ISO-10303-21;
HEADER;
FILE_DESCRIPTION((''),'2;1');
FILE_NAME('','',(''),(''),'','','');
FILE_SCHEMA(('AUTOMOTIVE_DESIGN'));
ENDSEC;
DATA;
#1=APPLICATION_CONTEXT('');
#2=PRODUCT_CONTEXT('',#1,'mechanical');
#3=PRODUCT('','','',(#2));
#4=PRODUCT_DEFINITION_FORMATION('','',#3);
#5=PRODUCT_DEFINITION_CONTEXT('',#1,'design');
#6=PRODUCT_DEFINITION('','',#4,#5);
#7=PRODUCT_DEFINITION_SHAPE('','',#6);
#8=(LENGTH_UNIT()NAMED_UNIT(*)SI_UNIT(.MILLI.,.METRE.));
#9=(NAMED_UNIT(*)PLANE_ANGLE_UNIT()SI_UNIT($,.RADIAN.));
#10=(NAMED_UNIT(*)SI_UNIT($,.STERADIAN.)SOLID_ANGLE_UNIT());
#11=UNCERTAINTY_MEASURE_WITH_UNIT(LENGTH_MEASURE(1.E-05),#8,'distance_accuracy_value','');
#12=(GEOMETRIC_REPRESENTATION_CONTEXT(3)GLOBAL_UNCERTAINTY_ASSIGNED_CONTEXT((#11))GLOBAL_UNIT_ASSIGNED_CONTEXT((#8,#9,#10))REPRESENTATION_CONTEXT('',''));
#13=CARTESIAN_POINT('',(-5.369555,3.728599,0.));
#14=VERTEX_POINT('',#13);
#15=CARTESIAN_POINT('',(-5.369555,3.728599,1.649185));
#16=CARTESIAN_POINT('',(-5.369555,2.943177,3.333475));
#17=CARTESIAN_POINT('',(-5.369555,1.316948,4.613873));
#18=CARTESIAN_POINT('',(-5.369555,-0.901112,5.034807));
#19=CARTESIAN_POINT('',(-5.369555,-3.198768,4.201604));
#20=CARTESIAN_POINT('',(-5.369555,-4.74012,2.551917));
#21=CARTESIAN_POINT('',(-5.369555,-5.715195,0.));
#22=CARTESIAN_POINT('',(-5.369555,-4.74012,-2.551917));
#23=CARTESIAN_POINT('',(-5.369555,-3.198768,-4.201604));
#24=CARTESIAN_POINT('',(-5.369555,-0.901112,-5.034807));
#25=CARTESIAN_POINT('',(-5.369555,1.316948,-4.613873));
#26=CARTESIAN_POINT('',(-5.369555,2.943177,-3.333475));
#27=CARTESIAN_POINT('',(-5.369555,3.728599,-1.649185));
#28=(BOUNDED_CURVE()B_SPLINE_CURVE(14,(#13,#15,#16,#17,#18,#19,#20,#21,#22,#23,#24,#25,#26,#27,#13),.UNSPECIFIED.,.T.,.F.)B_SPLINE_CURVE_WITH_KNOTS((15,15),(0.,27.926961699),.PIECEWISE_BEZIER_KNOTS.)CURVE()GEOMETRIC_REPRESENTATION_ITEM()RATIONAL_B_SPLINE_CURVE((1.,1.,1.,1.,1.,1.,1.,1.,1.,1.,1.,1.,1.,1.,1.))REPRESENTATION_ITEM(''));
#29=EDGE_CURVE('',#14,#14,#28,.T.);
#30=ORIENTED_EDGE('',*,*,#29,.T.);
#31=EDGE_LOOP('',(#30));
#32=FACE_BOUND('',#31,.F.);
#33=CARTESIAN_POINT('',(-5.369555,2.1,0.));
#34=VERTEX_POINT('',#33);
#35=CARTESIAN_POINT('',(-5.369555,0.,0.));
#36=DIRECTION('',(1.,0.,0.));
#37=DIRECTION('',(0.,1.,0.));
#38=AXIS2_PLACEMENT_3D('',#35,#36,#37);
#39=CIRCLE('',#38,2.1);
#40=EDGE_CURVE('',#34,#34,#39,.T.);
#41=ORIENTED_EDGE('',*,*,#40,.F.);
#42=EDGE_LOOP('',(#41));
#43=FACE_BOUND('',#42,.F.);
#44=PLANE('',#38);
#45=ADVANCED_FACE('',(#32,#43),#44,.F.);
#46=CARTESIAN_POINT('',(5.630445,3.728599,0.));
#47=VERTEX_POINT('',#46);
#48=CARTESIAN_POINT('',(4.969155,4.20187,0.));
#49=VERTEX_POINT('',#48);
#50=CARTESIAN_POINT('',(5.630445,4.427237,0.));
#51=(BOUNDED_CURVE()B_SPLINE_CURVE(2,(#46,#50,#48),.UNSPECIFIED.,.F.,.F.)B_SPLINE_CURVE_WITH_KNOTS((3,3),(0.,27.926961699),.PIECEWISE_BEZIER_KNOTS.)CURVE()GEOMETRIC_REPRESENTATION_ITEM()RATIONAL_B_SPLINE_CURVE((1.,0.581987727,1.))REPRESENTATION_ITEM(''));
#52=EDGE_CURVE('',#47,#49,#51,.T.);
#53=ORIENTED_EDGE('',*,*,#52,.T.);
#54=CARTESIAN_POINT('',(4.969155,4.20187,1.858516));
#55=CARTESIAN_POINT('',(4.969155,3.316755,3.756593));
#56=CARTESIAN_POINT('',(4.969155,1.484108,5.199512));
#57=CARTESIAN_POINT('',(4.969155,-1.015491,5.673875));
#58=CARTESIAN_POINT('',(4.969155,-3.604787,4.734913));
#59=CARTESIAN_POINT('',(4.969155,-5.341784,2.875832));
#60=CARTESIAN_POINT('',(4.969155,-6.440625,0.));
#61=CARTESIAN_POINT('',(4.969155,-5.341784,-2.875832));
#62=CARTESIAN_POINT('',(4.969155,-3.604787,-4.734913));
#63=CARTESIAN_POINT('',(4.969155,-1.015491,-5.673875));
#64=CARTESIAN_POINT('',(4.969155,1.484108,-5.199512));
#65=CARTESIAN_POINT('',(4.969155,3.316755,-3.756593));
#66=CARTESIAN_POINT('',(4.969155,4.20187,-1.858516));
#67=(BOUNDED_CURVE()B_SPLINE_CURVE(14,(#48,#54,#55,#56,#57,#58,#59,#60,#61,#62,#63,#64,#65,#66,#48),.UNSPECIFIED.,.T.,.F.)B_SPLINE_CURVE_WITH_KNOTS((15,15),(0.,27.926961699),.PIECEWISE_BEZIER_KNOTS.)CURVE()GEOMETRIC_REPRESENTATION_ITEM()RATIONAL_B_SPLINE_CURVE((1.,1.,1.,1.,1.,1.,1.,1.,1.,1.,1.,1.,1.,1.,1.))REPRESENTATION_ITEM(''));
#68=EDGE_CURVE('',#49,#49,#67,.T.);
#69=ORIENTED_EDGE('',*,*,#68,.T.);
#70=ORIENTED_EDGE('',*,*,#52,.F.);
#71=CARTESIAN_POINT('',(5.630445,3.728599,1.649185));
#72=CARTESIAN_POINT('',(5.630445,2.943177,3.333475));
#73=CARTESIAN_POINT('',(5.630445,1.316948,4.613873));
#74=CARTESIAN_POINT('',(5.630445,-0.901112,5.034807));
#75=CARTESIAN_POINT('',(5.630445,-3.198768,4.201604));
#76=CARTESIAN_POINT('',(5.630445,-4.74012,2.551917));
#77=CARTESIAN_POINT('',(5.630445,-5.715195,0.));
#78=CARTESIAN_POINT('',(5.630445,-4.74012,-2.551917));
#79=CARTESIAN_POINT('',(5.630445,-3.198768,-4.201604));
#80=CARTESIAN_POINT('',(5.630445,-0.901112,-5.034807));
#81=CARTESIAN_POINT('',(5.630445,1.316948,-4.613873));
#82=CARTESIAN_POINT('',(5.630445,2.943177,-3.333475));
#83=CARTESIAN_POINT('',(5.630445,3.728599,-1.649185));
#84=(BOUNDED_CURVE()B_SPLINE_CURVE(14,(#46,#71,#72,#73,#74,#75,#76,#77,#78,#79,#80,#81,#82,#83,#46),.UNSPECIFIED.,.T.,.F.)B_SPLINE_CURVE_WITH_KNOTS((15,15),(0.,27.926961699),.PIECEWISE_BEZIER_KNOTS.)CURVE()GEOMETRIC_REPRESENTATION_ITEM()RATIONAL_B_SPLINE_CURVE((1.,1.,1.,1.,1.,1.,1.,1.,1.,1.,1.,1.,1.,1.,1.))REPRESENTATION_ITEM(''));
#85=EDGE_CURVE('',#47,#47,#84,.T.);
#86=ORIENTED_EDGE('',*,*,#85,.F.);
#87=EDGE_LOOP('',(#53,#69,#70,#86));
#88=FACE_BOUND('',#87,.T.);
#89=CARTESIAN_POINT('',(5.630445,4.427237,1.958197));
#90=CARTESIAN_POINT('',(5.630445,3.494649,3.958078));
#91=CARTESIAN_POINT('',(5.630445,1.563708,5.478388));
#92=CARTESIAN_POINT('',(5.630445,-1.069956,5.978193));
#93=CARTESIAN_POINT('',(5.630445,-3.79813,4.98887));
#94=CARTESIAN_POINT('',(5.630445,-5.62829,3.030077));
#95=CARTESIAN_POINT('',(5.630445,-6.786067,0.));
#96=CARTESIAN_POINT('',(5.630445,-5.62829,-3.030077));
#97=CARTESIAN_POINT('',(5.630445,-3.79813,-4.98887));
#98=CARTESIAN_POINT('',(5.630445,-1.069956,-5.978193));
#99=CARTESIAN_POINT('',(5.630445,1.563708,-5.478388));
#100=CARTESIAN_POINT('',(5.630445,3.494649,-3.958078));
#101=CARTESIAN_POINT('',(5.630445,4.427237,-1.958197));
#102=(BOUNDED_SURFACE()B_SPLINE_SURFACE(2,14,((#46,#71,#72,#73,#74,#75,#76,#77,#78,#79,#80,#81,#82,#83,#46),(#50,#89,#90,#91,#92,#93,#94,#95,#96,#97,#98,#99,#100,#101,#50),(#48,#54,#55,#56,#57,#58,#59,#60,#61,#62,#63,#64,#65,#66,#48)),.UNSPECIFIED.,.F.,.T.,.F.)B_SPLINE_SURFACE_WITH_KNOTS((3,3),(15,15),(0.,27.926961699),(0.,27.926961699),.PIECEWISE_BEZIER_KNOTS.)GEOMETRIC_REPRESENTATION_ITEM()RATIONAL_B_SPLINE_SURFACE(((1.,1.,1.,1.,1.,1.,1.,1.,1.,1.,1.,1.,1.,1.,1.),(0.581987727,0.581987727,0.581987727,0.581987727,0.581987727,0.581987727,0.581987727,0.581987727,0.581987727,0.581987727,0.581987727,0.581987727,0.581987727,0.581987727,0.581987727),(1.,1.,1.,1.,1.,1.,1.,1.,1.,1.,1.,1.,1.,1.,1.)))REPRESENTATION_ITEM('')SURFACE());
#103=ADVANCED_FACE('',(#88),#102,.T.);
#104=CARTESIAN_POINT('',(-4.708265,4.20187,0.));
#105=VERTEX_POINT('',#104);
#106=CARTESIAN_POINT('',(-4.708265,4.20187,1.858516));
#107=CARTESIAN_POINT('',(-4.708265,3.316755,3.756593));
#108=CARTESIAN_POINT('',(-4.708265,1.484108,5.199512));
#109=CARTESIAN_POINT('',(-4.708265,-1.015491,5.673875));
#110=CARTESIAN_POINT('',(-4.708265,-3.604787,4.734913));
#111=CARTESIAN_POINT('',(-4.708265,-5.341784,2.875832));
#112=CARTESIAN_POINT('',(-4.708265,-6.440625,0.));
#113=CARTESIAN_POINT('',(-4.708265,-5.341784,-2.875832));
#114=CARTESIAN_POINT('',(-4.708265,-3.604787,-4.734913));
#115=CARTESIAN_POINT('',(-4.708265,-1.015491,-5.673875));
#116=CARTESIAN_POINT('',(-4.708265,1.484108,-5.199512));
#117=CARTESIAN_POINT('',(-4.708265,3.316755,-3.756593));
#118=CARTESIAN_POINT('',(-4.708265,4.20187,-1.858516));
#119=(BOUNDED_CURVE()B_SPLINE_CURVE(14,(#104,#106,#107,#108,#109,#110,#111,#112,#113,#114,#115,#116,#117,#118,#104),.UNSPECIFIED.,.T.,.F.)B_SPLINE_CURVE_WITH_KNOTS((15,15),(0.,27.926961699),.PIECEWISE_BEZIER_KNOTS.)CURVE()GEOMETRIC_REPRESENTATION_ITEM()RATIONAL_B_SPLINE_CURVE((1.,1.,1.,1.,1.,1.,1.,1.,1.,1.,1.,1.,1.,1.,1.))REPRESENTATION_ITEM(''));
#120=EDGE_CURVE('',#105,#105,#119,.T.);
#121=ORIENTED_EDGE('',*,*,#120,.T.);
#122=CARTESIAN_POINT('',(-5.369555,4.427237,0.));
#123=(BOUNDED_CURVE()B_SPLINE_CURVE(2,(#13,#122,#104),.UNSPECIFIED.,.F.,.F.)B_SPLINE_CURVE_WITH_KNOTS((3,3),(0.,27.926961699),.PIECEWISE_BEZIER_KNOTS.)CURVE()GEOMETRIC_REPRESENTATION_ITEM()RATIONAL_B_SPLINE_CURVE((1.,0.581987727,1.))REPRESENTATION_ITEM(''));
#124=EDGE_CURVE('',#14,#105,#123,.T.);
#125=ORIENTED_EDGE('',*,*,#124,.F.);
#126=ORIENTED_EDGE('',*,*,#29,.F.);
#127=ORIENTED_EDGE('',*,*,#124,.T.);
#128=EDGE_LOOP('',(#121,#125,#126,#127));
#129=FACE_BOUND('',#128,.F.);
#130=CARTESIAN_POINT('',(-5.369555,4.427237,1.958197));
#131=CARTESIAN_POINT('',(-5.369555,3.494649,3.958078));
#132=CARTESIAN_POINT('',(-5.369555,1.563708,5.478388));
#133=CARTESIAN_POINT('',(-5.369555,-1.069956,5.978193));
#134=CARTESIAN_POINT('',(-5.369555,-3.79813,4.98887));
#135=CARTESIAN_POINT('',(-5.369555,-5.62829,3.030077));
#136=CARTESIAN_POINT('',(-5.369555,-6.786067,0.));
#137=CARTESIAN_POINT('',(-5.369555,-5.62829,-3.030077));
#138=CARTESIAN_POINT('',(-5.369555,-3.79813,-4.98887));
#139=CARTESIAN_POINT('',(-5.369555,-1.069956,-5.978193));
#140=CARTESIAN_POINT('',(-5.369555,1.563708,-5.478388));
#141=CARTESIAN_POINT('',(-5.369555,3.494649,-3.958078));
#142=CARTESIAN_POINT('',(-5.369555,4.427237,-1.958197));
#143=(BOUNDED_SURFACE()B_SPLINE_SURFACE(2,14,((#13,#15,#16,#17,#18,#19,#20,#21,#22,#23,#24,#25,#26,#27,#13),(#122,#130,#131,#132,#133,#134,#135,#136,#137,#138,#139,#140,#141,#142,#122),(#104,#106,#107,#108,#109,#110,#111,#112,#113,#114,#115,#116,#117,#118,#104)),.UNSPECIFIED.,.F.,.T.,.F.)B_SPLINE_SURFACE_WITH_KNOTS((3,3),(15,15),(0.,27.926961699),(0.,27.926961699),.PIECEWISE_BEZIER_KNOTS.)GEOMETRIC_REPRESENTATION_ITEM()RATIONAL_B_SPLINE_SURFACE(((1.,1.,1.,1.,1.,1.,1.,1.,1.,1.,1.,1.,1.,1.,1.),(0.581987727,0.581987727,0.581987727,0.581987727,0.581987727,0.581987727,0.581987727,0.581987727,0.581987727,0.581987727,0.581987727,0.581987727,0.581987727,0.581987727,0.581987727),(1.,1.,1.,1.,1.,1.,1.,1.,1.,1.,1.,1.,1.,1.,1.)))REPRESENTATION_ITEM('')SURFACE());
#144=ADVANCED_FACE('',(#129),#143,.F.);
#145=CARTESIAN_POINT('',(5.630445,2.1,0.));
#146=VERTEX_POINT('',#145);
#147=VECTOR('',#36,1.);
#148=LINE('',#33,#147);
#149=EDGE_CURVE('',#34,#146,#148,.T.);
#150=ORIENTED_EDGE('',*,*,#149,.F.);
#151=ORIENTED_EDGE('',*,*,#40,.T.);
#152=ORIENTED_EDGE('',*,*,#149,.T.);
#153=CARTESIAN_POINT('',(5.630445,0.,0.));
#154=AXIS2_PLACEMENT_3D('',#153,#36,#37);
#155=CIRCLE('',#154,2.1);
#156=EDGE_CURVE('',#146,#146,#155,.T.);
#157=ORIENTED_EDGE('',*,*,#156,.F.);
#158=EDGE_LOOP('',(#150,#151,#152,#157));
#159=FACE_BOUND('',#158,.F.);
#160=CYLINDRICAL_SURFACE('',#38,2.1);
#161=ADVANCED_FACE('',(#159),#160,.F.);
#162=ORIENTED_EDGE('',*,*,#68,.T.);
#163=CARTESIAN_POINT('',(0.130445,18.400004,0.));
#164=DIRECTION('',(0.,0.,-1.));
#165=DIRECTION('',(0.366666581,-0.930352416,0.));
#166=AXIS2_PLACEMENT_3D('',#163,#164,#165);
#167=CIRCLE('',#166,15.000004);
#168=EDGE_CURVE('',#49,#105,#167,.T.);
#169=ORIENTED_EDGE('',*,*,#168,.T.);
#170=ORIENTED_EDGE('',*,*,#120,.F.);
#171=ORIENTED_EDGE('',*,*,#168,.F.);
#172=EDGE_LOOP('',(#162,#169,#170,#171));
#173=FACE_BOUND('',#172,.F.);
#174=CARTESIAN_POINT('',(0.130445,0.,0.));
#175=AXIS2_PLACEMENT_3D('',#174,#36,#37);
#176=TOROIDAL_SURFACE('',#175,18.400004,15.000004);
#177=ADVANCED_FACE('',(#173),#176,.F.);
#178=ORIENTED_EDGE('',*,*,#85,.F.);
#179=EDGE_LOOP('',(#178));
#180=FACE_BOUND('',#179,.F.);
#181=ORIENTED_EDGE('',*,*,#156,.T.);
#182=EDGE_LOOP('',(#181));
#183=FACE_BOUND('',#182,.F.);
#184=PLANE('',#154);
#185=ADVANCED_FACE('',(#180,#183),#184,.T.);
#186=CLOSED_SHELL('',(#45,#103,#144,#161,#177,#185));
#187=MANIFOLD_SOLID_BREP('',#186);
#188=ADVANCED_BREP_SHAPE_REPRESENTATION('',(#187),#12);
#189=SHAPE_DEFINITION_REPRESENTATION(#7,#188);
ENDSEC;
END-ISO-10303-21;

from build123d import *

# Parameters (mm, degrees)
F2_R = 0.5


with BuildPart() as f1:
    # F0 (on Top) → F1 (revolve)
    with BuildSketch(Plane.XY):
        with BuildLine():
            Line((-5.369555, 4.444714), (-5.369555, 2.1))
            Line((-5.369555, 2.1), (5.630445, 2.1))
            Line((5.630445, 2.1), (5.630445, 4.444714))
            ThreePointArc((5.630445, 4.444714), (0.130445, 3.4), (-5.369555, 4.444714))
        make_face()
    revolve(axis=Axis((-0.482609, 0, 0), (1, 0, 0)))

    # F2
    f2_edges = [f1.edges().sort_by_distance(p)[0] for p in [
        (5.630445, -4.444714, 0),
        (-5.369555, -4.444714, 0),
    ]]
    fillet(f2_edges, radius=F2_R)


solid = f1.part
